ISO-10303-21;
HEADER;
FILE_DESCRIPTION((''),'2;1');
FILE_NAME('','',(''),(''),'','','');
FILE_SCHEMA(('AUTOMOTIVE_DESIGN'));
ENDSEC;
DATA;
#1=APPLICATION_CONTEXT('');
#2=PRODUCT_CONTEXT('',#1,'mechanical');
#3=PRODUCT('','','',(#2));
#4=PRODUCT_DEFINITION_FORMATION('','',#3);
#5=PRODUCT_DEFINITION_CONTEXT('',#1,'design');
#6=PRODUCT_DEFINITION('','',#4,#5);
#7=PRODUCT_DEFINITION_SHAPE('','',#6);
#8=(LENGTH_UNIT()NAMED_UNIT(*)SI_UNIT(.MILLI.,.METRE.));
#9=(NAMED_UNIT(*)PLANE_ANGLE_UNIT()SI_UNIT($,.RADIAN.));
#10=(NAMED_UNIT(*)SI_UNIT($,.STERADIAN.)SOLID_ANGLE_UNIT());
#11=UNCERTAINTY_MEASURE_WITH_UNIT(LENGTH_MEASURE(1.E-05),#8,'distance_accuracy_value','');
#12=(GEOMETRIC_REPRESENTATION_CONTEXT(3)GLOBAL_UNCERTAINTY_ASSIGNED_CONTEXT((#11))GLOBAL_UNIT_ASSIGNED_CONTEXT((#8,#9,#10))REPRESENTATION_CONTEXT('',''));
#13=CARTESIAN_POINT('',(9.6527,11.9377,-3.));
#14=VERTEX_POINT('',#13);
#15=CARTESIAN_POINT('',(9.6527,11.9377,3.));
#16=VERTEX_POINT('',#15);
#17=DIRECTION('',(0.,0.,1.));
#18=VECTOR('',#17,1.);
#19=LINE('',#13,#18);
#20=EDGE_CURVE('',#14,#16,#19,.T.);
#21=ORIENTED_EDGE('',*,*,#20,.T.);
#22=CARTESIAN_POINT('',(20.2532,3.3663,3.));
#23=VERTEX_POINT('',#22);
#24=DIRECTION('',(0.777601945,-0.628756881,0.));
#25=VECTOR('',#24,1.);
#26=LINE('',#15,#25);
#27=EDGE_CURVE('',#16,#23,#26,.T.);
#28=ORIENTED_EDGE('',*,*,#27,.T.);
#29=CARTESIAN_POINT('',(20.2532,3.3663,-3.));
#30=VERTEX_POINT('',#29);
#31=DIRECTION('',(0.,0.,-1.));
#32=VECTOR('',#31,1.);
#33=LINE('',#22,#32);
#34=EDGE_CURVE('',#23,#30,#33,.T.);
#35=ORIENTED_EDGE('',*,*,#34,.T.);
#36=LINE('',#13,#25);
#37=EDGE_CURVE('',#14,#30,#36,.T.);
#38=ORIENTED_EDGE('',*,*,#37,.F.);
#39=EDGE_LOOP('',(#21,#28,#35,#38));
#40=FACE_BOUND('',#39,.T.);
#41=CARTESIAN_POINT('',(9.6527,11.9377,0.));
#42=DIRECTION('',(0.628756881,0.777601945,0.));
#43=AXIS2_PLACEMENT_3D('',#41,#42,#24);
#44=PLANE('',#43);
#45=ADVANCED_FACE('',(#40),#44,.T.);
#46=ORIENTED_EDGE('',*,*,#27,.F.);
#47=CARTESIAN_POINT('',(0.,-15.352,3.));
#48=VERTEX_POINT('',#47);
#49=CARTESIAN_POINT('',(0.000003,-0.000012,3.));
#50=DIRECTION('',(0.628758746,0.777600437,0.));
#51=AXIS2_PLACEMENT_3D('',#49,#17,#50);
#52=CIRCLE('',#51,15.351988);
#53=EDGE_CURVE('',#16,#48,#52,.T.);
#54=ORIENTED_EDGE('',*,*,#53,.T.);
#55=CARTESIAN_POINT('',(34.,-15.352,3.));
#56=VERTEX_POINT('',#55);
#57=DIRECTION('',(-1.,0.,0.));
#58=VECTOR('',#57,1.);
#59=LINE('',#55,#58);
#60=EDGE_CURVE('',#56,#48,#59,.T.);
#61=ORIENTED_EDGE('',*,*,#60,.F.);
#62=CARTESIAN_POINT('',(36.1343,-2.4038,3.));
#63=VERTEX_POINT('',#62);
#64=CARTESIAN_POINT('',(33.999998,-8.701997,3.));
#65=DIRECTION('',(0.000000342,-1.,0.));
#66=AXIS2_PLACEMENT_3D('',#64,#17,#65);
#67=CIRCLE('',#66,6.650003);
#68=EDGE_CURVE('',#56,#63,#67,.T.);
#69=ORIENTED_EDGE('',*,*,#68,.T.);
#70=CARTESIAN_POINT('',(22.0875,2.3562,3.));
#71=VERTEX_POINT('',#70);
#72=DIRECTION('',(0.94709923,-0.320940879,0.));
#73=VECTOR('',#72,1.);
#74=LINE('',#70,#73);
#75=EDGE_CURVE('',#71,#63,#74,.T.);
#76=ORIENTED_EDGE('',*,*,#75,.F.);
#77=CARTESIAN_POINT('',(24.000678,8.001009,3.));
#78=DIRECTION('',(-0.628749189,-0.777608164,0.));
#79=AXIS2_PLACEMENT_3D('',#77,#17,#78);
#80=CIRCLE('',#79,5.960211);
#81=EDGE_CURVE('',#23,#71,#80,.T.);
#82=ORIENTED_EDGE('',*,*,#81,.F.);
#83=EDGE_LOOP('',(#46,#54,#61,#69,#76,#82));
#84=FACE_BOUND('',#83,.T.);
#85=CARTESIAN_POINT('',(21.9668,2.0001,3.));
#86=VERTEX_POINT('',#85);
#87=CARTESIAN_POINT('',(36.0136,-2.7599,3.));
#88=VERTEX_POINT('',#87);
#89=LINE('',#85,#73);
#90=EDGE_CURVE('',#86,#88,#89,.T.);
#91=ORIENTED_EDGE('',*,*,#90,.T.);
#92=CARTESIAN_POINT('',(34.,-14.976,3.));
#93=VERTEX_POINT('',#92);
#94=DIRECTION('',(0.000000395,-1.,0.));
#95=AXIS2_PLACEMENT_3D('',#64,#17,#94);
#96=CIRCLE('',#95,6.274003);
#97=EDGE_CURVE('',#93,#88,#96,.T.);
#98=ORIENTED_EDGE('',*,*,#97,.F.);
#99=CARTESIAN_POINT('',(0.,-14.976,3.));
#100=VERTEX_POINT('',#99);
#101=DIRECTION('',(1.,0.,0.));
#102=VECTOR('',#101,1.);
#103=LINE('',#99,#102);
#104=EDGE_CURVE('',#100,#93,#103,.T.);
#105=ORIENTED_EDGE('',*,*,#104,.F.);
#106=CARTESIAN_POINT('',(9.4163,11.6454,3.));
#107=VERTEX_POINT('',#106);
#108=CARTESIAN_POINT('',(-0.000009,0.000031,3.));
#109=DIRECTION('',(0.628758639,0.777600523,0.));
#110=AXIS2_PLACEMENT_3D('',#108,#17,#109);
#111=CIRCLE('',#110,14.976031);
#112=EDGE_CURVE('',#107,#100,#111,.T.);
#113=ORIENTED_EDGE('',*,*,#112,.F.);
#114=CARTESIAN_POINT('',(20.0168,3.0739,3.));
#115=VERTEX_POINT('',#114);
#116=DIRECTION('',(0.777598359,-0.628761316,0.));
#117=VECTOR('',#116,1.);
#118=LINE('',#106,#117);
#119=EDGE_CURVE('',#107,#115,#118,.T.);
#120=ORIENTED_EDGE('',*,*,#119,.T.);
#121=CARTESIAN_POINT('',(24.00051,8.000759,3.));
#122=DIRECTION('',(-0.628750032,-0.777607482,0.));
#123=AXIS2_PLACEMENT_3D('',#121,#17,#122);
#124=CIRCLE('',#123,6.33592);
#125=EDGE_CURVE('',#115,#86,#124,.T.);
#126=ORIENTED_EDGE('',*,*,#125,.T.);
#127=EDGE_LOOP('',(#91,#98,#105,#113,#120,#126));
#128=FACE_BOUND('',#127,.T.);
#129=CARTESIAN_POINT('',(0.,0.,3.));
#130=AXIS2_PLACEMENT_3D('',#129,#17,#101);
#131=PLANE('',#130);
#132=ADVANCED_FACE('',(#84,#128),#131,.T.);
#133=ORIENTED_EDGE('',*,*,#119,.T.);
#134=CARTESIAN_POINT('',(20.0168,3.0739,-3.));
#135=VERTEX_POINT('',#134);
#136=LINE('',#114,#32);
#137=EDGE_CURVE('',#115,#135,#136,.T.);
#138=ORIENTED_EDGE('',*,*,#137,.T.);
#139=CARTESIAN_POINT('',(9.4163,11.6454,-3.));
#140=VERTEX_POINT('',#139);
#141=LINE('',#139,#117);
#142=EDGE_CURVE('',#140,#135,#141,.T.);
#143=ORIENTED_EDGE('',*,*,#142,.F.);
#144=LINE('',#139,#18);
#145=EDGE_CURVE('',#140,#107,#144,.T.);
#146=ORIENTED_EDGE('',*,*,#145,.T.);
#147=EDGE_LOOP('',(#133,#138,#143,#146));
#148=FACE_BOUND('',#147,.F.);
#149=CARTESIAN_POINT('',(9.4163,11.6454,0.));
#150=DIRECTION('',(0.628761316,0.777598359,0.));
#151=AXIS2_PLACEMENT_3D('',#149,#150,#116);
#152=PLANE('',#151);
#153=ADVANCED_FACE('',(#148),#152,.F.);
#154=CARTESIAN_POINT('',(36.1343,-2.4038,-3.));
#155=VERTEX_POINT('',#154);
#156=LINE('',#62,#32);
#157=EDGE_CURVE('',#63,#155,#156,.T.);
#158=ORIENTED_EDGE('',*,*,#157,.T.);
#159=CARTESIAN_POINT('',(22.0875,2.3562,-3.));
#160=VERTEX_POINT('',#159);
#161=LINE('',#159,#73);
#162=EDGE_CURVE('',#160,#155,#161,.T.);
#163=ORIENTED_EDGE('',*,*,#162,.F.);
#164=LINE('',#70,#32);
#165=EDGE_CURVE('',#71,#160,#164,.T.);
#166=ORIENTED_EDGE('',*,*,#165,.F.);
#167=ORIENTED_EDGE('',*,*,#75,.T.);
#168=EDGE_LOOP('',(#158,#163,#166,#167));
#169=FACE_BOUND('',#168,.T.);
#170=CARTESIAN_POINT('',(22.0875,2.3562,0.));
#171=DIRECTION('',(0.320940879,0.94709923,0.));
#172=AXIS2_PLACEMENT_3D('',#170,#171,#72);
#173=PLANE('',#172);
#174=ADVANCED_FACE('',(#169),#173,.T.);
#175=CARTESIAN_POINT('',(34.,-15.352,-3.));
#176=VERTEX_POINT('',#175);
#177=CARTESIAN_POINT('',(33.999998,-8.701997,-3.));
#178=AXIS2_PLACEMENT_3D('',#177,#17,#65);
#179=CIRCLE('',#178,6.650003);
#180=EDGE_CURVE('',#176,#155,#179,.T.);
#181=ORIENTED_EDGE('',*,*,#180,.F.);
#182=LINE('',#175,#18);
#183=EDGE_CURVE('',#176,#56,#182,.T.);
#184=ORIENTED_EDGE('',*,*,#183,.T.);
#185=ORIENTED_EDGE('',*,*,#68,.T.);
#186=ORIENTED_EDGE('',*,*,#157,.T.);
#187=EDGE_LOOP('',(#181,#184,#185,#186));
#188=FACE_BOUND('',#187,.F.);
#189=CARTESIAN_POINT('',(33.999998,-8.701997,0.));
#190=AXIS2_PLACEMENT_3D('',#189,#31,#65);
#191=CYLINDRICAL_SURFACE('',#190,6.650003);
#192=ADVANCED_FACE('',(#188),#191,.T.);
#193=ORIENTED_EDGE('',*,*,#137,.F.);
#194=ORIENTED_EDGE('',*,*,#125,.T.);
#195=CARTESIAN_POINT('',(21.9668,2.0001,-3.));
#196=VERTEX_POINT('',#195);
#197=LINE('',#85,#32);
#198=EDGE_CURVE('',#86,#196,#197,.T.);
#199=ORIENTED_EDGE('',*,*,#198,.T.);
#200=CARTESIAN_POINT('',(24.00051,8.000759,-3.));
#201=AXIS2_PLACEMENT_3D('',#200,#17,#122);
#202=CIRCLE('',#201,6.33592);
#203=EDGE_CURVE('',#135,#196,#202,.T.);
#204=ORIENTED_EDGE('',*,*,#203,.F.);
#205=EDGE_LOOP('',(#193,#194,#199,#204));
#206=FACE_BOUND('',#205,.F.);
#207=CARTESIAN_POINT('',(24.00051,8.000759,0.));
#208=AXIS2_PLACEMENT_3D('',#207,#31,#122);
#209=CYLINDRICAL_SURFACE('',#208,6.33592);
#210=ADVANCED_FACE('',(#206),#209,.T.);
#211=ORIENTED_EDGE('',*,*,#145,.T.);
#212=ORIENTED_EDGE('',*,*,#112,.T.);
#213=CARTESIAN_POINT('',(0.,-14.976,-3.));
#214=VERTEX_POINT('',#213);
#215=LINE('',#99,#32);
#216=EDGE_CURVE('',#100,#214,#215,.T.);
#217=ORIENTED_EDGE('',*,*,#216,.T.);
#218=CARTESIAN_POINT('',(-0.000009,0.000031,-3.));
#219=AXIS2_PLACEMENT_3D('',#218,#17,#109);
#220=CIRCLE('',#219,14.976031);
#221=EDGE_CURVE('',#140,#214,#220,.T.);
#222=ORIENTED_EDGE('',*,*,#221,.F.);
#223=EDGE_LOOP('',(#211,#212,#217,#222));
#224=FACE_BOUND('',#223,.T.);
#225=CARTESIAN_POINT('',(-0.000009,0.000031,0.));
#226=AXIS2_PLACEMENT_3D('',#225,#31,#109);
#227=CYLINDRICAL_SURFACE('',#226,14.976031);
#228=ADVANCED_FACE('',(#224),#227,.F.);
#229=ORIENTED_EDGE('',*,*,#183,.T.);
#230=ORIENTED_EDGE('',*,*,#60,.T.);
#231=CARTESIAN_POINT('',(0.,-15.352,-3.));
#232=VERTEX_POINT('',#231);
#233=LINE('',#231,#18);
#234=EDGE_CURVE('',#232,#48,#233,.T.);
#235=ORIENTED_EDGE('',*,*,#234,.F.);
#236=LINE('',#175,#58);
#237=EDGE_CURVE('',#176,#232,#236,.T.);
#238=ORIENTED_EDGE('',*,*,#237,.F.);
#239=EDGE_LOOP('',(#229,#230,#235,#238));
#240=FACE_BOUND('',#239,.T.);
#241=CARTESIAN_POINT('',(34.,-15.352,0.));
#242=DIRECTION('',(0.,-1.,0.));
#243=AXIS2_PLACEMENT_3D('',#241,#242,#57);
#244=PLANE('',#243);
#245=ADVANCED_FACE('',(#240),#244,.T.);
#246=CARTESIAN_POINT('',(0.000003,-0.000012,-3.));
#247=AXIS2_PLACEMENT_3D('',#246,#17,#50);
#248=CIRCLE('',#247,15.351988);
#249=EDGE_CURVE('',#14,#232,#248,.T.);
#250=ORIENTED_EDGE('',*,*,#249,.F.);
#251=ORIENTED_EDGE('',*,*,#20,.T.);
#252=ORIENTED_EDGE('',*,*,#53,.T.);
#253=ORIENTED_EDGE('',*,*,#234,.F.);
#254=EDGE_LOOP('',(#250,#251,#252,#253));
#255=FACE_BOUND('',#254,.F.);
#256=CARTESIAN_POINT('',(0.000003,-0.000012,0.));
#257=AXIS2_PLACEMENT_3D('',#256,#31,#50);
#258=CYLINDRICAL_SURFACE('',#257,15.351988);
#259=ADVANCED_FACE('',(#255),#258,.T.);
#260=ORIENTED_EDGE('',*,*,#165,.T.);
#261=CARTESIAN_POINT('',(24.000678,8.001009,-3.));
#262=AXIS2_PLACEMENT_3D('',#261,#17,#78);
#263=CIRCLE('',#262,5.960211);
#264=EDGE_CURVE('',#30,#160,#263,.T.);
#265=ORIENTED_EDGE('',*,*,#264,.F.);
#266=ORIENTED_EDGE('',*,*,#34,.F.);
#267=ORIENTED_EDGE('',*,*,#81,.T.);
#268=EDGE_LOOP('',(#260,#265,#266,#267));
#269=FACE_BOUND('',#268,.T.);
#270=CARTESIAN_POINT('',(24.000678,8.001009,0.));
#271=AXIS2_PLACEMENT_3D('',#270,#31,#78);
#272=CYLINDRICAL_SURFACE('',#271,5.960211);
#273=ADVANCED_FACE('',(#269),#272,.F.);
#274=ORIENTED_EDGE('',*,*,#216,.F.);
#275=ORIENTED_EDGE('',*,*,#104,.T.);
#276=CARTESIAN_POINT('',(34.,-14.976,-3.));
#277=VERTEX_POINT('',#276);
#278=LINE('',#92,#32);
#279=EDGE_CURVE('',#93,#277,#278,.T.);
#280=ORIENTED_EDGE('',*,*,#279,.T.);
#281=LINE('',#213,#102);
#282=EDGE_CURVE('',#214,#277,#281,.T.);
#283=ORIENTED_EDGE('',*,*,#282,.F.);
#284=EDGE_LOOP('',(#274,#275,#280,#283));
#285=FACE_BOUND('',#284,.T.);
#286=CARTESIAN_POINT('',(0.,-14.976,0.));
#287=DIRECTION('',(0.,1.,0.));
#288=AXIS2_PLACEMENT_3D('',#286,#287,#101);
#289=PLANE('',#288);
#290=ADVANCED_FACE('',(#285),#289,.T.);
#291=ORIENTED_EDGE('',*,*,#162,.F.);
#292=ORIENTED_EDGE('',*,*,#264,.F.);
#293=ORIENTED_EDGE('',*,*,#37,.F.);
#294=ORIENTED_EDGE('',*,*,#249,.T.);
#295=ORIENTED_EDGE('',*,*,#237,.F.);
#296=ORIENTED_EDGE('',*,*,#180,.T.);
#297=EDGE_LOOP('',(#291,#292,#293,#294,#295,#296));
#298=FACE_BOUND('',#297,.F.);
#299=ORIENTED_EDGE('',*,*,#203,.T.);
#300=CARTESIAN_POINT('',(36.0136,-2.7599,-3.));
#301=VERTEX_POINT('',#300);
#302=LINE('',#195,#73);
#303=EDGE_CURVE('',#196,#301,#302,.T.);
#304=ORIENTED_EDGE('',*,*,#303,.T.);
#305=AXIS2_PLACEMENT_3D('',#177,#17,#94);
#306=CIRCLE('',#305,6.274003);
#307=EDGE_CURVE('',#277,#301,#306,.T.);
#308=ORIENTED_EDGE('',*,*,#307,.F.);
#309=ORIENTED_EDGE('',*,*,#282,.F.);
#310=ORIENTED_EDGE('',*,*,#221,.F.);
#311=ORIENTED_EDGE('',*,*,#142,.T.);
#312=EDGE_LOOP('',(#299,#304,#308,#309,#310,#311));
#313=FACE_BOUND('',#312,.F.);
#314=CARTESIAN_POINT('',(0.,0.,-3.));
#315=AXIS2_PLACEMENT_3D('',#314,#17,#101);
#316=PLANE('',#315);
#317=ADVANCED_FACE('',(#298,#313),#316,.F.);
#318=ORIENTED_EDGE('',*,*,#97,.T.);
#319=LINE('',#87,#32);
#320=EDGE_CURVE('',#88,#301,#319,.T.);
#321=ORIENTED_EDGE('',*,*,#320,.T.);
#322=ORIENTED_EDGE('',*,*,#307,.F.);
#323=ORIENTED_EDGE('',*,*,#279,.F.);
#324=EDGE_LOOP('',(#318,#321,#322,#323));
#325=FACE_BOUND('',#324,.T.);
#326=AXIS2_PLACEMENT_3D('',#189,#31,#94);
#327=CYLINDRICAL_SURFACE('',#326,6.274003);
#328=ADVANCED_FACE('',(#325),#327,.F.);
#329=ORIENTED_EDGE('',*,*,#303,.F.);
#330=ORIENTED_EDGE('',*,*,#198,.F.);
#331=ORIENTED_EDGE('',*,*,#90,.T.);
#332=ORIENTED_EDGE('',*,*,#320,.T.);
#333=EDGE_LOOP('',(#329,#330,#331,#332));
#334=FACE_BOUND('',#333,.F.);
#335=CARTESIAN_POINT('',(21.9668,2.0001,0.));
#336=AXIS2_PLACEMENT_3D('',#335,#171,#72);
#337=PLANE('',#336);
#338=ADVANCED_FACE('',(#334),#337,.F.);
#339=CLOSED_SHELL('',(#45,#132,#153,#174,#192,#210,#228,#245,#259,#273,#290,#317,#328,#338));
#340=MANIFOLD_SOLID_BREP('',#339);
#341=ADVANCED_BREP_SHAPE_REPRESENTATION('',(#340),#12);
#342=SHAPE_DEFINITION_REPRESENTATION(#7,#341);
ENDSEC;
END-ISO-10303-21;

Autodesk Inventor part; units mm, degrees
ref_plane "XZ Plane" through (0, 0, 0) normal (0, 1, 0) x (-1, 0, 0)
ref_plane "Work Plane1" through (34, 0, 0) normal (-1, 0, 0) x (0, 1, 0)
ref_plane "Work Plane2" through (24, 0, 0) normal (-1, 0, 0) x (0, 1, 0)
sketch "Sketch1" plane through (0, 0, 0) normal (0, 0, 1) x (1, 0, 0)
  arc A0 (9.4163, 11.6454) -> (0, -14.976) centre (0, 0) ccw
  arc A1 (34, -14.976) -> (36.0136, -2.7599) centre (34, -8.702) ccw
  line L0 (-31.8369, 0) -> (53.8728, 0) construction
  line L1 (0, -14.976) -> (34, -14.976)
  arc A2 (20.0168, 3.0739) -> (21.9668, 2.0001) centre (24, 8) ccw
  line L2 (9.4163, 11.6454) -> (20.0168, 3.0739)
  line L3 (21.9668, 2.0001) -> (36.0136, -2.7599)
  line L4 (0, 26.7627) -> (0, -23.4277) construction
  line L5 (34, -23.4277) -> (34, 26.7627) construction
  line L6 (24, -23.4277) -> (24, 26.7627) construction
  arc A3 (9.6527, 11.9377) -> (0, -15.352) centre (0, 0) ccw
  line L7 (9.6527, 11.9377) -> (20.2532, 3.3663)
  arc A4 (20.2532, 3.3663) -> (22.0875, 2.3562) centre (24, 8) ccw
  line L8 (22.0875, 2.3562) -> (36.1343, -2.4038)
  arc A5 (34, -15.352) -> (36.1343, -2.4038) centre (34, -8.702) ccw
  line L9 (34, -15.352) -> (0, -15.352)
  dimension "d1" = 29.952
  dimension "d2" = 12.548
  dimension "d3" = 34
  dimension "d4" = 8.702
  dimension "d6" = 12.67
  dimension "d7" = 24
  dimension "d8" = 8
  dimension "d9" = 34
  dimension "d10" = 24
  dimension "d16" = 0.376
extrude "Extrusion1" add sketch "Sketch1" along normal mid plane 6
sketch "Sketch2" plane through (0, 0, 0) normal (0, 0, 1) x (1, 0, 0)
  point P0 (0, 0)
  point P1 (24, 8)
  dimension "d19" = 24
  dimension "d20" = 8
equation "\"start\" = d9"
properties part number "PasekBaza"
